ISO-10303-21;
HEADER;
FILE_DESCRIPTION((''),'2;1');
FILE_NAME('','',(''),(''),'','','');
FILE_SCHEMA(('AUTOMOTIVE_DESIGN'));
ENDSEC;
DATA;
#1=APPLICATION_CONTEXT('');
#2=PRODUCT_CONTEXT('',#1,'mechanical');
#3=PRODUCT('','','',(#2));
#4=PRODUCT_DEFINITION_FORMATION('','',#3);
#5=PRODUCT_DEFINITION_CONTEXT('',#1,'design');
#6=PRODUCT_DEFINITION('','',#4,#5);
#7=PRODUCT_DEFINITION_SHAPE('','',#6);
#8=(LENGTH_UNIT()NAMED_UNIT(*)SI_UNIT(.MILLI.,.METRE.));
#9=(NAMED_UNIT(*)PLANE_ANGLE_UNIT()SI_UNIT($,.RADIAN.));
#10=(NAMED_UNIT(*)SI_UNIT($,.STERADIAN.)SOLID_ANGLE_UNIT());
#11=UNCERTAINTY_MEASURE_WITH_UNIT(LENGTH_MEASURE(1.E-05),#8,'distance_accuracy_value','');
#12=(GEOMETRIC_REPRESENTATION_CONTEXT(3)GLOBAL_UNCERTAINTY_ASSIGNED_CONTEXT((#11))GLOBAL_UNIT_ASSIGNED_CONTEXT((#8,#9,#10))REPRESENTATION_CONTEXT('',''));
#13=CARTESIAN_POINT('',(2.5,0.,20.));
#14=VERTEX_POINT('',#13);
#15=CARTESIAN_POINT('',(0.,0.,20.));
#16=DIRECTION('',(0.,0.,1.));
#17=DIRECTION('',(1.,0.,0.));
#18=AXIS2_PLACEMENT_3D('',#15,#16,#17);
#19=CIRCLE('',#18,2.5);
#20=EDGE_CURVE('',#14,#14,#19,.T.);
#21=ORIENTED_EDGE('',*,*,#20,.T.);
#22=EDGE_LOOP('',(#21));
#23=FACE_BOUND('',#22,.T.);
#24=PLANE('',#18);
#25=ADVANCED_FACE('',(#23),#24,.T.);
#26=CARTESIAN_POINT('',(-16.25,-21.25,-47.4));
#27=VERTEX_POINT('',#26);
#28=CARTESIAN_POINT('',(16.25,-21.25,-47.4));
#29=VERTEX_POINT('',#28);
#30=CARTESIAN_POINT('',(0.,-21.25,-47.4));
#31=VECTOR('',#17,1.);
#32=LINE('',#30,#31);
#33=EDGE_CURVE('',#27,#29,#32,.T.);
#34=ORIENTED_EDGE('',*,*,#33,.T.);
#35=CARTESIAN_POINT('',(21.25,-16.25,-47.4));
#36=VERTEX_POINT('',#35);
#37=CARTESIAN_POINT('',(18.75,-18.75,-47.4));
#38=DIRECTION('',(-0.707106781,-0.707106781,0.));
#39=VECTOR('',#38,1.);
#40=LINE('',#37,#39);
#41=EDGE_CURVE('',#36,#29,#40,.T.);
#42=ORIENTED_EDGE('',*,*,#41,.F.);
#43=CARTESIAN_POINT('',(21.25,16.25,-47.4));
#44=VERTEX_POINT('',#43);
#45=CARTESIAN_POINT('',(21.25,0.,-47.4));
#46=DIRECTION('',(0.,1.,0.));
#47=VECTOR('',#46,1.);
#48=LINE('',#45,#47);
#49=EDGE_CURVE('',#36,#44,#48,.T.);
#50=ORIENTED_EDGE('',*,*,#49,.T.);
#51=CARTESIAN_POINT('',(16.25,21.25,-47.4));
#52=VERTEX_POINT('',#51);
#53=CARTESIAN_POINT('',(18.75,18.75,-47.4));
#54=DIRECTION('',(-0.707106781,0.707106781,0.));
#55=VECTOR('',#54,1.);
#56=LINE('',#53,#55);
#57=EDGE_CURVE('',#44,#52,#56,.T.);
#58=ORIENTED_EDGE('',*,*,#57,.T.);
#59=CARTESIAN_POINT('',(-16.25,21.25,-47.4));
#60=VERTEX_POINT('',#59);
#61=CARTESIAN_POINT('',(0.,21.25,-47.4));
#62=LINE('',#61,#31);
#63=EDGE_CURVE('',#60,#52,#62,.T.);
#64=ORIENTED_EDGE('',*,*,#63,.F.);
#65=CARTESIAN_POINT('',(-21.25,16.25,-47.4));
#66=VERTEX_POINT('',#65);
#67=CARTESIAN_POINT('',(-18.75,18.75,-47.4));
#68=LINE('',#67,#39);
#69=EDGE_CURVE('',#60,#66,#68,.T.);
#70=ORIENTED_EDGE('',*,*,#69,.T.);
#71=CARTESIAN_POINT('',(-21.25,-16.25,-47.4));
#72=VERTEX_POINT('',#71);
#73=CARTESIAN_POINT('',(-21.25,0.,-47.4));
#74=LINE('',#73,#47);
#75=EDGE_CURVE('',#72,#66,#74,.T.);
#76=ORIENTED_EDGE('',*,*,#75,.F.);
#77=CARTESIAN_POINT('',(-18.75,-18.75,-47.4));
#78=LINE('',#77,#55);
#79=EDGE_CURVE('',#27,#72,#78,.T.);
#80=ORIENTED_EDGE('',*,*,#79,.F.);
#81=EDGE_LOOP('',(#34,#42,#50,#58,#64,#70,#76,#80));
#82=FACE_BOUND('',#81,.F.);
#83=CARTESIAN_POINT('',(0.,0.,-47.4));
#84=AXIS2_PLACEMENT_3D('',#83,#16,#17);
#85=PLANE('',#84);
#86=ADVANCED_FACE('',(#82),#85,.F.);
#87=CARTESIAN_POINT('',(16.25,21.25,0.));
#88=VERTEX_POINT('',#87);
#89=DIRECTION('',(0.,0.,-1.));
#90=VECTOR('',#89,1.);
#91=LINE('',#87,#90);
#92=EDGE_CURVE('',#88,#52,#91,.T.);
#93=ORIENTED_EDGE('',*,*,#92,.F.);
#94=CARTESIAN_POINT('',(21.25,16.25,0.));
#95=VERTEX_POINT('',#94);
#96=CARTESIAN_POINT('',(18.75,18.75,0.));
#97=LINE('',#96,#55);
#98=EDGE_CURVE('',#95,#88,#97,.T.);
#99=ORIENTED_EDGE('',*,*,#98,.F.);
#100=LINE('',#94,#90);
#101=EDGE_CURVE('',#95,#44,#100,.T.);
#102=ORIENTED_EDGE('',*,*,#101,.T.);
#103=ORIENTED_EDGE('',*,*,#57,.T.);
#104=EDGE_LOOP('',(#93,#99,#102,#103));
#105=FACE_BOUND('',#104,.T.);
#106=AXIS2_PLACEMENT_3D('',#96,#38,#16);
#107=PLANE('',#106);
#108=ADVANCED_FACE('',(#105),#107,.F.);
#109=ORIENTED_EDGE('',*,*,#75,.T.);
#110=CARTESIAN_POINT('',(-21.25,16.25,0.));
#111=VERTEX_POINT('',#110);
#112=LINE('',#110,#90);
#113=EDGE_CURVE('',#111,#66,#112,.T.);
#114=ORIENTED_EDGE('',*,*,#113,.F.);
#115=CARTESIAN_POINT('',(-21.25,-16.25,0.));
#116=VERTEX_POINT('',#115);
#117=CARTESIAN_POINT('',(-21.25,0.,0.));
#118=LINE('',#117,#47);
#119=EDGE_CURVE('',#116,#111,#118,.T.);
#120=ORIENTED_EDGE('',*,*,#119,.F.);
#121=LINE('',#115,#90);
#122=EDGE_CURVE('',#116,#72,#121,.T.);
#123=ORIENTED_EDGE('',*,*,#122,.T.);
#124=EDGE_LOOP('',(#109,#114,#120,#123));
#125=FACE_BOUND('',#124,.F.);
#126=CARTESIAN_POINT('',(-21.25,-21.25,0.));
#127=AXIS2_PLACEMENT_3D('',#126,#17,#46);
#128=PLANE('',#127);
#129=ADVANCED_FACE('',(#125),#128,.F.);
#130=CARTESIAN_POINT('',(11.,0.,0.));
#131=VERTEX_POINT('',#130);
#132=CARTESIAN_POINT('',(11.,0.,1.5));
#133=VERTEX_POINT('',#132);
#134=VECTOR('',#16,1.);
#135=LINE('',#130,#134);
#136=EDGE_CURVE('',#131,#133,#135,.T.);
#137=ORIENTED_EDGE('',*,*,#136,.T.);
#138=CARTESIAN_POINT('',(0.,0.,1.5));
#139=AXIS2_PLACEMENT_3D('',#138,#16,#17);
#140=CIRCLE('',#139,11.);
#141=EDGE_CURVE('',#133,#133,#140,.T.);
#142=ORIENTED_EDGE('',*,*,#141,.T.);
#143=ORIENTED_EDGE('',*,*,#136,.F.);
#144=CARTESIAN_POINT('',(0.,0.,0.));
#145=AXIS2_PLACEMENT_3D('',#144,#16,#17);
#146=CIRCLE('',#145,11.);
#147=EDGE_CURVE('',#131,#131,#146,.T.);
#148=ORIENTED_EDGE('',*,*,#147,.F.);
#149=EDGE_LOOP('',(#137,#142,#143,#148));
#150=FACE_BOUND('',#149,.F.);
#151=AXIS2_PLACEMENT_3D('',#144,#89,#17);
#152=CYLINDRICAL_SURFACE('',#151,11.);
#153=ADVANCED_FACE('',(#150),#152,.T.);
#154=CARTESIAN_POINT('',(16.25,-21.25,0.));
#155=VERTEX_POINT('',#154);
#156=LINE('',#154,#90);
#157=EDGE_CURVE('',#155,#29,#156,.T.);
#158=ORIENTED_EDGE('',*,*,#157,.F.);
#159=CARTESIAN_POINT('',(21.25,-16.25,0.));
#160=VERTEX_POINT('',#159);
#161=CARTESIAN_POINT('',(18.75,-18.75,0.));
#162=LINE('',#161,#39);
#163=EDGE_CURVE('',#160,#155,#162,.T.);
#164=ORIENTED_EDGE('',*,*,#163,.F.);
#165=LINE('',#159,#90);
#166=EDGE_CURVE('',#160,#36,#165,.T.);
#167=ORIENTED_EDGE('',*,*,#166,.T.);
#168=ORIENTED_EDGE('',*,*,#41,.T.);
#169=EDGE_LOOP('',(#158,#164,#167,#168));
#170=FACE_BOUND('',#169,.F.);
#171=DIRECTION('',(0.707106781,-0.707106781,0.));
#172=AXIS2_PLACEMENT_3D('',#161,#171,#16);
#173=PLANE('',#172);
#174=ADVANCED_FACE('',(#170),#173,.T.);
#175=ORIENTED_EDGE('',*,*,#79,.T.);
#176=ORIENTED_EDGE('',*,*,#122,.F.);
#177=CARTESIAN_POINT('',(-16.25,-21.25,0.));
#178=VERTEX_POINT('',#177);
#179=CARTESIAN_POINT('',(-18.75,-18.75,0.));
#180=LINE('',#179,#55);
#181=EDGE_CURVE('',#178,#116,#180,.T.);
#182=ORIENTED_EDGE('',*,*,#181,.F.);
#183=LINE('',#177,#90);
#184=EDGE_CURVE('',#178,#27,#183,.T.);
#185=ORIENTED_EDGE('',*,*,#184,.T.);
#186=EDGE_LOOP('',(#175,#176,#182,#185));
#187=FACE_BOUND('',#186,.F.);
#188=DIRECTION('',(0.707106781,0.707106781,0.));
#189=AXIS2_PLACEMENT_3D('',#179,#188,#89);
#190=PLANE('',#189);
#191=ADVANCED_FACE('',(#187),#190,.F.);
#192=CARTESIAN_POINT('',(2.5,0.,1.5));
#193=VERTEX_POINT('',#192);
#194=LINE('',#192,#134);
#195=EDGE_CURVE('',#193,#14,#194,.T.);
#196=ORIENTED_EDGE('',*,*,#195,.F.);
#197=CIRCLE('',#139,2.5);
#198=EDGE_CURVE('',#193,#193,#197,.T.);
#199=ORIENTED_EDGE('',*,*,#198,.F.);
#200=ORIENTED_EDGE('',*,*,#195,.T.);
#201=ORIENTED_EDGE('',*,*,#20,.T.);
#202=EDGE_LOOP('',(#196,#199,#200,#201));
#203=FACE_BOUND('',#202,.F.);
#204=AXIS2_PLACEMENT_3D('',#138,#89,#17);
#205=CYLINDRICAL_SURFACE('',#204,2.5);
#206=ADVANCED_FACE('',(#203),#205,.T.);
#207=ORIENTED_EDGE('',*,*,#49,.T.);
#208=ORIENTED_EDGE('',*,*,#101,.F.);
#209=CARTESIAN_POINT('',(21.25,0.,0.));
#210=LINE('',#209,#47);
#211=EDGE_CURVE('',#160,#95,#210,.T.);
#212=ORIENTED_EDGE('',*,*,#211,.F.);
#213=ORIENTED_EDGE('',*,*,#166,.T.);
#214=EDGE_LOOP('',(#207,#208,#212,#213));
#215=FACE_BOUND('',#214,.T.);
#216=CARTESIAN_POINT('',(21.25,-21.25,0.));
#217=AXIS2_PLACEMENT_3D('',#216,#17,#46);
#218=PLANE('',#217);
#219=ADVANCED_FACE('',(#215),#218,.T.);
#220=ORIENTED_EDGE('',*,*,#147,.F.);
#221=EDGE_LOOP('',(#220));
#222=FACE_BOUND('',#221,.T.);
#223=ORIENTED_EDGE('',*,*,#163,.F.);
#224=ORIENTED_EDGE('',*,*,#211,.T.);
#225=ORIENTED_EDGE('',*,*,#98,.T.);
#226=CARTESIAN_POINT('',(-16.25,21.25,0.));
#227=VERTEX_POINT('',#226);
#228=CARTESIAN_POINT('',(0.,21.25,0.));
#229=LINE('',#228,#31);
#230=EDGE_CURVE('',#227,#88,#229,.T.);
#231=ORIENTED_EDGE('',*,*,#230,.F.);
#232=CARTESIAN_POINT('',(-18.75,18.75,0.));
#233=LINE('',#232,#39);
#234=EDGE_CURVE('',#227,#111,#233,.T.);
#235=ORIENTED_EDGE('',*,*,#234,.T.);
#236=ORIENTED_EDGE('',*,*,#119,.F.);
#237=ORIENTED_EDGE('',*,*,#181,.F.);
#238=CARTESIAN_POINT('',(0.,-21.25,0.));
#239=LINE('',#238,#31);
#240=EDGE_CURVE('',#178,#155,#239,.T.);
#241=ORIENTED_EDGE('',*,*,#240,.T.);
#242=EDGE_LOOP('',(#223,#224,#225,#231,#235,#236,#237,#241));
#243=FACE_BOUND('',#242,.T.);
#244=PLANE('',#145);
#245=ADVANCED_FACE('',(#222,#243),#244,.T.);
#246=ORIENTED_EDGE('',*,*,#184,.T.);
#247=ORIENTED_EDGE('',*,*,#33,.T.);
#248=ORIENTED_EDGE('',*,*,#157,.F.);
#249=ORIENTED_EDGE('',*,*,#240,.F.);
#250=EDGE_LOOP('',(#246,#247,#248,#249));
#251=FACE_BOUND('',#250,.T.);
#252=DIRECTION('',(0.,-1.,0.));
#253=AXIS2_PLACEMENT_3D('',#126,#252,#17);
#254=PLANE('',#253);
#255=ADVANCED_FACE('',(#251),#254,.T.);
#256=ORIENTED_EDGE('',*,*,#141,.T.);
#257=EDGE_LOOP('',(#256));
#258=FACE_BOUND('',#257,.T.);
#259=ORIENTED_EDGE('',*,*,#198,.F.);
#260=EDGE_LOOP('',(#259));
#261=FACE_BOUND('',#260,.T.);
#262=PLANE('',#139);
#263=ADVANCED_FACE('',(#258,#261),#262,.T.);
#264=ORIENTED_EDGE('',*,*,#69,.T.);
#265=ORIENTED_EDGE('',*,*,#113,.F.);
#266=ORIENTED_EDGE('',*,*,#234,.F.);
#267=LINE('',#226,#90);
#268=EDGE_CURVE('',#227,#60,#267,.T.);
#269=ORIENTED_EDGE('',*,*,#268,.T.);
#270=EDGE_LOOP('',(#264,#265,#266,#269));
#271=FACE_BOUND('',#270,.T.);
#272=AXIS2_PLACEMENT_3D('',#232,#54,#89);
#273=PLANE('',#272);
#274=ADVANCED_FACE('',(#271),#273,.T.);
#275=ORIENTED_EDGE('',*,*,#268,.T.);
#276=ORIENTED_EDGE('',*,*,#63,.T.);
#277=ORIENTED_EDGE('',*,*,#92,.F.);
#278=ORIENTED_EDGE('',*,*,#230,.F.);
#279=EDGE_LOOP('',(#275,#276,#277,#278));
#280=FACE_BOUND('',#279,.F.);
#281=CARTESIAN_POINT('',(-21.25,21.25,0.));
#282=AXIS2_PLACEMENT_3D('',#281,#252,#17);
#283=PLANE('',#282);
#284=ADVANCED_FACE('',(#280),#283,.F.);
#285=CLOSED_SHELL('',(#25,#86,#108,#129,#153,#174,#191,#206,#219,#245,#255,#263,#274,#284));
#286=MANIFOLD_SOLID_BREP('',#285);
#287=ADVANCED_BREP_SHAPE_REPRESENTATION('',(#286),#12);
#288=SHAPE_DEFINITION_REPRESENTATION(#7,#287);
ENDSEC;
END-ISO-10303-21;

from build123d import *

# Parameters (mm, degrees)
SKETCH074_W        = 42.5
SKETCH074_H        = 42.5
PAD037_DEPTH       = 47.4
CHAMFER022_SIZE    = 5
CHAMFER023_SIZE    = 5
CHAMFER020_SIZE    = 5
CHAMFER021_SIZE    = 5
SKETCH076_R        = 11
PAD034_DEPTH       = 1.5
SKETCH075_R        = 2.5
PAD035_DEPTH       = 18.5
BODY018_ROLL_ANGLE = -90


with BuildPart() as part:
    # Sketch074 → Pad037 (new body)
    with BuildSketch(Plane.XZ):
        Rectangle(SKETCH074_W, SKETCH074_H)
    extrude(amount=-PAD037_DEPTH)

    # Chamfer022
    chamfer022_edges = [part.edges().sort_by_distance(p)[0] for p in [
        (21.25, 23.7, 21.25),
    ]]
    chamfer(chamfer022_edges, length=CHAMFER022_SIZE)

    # Chamfer023
    chamfer023_edges = [part.edges().sort_by_distance(p)[0] for p in [
        (-21.25, 23.7, 21.25),
    ]]
    chamfer(chamfer023_edges, length=CHAMFER023_SIZE)

    # Chamfer020
    chamfer020_edges = [part.edges().sort_by_distance(p)[0] for p in [
        (21.25, 23.7, -21.25),
    ]]
    chamfer(chamfer020_edges, length=CHAMFER020_SIZE)

    # Chamfer021
    chamfer021_edges = [part.edges().sort_by_distance(p)[0] for p in [
        (-21.25, 23.7, -21.25),
    ]]
    chamfer(chamfer021_edges, length=CHAMFER021_SIZE)

    # Sketch076 (on Face1 of Chamfer021) → Pad034 (join)
    with BuildSketch(Plane.XZ):
        Circle(SKETCH076_R)
    extrude(amount=PAD034_DEPTH)

    # Sketch075 (on Face12 of Pad034) → Pad035 (join)
    with BuildSketch(Plane.XZ.offset(1.5)):
        Circle(SKETCH075_R)
    extrude(amount=PAD035_DEPTH)


with BuildPart() as part_1:
    # Body018 roll: moved
    add(part.part.rotate(Axis((0, 0, 0), (1, 0, 0)), BODY018_ROLL_ANGLE))


with BuildPart() as part_2:
    # Body018 placement: moved
    add(part_1.part)


solid = part_2.part
